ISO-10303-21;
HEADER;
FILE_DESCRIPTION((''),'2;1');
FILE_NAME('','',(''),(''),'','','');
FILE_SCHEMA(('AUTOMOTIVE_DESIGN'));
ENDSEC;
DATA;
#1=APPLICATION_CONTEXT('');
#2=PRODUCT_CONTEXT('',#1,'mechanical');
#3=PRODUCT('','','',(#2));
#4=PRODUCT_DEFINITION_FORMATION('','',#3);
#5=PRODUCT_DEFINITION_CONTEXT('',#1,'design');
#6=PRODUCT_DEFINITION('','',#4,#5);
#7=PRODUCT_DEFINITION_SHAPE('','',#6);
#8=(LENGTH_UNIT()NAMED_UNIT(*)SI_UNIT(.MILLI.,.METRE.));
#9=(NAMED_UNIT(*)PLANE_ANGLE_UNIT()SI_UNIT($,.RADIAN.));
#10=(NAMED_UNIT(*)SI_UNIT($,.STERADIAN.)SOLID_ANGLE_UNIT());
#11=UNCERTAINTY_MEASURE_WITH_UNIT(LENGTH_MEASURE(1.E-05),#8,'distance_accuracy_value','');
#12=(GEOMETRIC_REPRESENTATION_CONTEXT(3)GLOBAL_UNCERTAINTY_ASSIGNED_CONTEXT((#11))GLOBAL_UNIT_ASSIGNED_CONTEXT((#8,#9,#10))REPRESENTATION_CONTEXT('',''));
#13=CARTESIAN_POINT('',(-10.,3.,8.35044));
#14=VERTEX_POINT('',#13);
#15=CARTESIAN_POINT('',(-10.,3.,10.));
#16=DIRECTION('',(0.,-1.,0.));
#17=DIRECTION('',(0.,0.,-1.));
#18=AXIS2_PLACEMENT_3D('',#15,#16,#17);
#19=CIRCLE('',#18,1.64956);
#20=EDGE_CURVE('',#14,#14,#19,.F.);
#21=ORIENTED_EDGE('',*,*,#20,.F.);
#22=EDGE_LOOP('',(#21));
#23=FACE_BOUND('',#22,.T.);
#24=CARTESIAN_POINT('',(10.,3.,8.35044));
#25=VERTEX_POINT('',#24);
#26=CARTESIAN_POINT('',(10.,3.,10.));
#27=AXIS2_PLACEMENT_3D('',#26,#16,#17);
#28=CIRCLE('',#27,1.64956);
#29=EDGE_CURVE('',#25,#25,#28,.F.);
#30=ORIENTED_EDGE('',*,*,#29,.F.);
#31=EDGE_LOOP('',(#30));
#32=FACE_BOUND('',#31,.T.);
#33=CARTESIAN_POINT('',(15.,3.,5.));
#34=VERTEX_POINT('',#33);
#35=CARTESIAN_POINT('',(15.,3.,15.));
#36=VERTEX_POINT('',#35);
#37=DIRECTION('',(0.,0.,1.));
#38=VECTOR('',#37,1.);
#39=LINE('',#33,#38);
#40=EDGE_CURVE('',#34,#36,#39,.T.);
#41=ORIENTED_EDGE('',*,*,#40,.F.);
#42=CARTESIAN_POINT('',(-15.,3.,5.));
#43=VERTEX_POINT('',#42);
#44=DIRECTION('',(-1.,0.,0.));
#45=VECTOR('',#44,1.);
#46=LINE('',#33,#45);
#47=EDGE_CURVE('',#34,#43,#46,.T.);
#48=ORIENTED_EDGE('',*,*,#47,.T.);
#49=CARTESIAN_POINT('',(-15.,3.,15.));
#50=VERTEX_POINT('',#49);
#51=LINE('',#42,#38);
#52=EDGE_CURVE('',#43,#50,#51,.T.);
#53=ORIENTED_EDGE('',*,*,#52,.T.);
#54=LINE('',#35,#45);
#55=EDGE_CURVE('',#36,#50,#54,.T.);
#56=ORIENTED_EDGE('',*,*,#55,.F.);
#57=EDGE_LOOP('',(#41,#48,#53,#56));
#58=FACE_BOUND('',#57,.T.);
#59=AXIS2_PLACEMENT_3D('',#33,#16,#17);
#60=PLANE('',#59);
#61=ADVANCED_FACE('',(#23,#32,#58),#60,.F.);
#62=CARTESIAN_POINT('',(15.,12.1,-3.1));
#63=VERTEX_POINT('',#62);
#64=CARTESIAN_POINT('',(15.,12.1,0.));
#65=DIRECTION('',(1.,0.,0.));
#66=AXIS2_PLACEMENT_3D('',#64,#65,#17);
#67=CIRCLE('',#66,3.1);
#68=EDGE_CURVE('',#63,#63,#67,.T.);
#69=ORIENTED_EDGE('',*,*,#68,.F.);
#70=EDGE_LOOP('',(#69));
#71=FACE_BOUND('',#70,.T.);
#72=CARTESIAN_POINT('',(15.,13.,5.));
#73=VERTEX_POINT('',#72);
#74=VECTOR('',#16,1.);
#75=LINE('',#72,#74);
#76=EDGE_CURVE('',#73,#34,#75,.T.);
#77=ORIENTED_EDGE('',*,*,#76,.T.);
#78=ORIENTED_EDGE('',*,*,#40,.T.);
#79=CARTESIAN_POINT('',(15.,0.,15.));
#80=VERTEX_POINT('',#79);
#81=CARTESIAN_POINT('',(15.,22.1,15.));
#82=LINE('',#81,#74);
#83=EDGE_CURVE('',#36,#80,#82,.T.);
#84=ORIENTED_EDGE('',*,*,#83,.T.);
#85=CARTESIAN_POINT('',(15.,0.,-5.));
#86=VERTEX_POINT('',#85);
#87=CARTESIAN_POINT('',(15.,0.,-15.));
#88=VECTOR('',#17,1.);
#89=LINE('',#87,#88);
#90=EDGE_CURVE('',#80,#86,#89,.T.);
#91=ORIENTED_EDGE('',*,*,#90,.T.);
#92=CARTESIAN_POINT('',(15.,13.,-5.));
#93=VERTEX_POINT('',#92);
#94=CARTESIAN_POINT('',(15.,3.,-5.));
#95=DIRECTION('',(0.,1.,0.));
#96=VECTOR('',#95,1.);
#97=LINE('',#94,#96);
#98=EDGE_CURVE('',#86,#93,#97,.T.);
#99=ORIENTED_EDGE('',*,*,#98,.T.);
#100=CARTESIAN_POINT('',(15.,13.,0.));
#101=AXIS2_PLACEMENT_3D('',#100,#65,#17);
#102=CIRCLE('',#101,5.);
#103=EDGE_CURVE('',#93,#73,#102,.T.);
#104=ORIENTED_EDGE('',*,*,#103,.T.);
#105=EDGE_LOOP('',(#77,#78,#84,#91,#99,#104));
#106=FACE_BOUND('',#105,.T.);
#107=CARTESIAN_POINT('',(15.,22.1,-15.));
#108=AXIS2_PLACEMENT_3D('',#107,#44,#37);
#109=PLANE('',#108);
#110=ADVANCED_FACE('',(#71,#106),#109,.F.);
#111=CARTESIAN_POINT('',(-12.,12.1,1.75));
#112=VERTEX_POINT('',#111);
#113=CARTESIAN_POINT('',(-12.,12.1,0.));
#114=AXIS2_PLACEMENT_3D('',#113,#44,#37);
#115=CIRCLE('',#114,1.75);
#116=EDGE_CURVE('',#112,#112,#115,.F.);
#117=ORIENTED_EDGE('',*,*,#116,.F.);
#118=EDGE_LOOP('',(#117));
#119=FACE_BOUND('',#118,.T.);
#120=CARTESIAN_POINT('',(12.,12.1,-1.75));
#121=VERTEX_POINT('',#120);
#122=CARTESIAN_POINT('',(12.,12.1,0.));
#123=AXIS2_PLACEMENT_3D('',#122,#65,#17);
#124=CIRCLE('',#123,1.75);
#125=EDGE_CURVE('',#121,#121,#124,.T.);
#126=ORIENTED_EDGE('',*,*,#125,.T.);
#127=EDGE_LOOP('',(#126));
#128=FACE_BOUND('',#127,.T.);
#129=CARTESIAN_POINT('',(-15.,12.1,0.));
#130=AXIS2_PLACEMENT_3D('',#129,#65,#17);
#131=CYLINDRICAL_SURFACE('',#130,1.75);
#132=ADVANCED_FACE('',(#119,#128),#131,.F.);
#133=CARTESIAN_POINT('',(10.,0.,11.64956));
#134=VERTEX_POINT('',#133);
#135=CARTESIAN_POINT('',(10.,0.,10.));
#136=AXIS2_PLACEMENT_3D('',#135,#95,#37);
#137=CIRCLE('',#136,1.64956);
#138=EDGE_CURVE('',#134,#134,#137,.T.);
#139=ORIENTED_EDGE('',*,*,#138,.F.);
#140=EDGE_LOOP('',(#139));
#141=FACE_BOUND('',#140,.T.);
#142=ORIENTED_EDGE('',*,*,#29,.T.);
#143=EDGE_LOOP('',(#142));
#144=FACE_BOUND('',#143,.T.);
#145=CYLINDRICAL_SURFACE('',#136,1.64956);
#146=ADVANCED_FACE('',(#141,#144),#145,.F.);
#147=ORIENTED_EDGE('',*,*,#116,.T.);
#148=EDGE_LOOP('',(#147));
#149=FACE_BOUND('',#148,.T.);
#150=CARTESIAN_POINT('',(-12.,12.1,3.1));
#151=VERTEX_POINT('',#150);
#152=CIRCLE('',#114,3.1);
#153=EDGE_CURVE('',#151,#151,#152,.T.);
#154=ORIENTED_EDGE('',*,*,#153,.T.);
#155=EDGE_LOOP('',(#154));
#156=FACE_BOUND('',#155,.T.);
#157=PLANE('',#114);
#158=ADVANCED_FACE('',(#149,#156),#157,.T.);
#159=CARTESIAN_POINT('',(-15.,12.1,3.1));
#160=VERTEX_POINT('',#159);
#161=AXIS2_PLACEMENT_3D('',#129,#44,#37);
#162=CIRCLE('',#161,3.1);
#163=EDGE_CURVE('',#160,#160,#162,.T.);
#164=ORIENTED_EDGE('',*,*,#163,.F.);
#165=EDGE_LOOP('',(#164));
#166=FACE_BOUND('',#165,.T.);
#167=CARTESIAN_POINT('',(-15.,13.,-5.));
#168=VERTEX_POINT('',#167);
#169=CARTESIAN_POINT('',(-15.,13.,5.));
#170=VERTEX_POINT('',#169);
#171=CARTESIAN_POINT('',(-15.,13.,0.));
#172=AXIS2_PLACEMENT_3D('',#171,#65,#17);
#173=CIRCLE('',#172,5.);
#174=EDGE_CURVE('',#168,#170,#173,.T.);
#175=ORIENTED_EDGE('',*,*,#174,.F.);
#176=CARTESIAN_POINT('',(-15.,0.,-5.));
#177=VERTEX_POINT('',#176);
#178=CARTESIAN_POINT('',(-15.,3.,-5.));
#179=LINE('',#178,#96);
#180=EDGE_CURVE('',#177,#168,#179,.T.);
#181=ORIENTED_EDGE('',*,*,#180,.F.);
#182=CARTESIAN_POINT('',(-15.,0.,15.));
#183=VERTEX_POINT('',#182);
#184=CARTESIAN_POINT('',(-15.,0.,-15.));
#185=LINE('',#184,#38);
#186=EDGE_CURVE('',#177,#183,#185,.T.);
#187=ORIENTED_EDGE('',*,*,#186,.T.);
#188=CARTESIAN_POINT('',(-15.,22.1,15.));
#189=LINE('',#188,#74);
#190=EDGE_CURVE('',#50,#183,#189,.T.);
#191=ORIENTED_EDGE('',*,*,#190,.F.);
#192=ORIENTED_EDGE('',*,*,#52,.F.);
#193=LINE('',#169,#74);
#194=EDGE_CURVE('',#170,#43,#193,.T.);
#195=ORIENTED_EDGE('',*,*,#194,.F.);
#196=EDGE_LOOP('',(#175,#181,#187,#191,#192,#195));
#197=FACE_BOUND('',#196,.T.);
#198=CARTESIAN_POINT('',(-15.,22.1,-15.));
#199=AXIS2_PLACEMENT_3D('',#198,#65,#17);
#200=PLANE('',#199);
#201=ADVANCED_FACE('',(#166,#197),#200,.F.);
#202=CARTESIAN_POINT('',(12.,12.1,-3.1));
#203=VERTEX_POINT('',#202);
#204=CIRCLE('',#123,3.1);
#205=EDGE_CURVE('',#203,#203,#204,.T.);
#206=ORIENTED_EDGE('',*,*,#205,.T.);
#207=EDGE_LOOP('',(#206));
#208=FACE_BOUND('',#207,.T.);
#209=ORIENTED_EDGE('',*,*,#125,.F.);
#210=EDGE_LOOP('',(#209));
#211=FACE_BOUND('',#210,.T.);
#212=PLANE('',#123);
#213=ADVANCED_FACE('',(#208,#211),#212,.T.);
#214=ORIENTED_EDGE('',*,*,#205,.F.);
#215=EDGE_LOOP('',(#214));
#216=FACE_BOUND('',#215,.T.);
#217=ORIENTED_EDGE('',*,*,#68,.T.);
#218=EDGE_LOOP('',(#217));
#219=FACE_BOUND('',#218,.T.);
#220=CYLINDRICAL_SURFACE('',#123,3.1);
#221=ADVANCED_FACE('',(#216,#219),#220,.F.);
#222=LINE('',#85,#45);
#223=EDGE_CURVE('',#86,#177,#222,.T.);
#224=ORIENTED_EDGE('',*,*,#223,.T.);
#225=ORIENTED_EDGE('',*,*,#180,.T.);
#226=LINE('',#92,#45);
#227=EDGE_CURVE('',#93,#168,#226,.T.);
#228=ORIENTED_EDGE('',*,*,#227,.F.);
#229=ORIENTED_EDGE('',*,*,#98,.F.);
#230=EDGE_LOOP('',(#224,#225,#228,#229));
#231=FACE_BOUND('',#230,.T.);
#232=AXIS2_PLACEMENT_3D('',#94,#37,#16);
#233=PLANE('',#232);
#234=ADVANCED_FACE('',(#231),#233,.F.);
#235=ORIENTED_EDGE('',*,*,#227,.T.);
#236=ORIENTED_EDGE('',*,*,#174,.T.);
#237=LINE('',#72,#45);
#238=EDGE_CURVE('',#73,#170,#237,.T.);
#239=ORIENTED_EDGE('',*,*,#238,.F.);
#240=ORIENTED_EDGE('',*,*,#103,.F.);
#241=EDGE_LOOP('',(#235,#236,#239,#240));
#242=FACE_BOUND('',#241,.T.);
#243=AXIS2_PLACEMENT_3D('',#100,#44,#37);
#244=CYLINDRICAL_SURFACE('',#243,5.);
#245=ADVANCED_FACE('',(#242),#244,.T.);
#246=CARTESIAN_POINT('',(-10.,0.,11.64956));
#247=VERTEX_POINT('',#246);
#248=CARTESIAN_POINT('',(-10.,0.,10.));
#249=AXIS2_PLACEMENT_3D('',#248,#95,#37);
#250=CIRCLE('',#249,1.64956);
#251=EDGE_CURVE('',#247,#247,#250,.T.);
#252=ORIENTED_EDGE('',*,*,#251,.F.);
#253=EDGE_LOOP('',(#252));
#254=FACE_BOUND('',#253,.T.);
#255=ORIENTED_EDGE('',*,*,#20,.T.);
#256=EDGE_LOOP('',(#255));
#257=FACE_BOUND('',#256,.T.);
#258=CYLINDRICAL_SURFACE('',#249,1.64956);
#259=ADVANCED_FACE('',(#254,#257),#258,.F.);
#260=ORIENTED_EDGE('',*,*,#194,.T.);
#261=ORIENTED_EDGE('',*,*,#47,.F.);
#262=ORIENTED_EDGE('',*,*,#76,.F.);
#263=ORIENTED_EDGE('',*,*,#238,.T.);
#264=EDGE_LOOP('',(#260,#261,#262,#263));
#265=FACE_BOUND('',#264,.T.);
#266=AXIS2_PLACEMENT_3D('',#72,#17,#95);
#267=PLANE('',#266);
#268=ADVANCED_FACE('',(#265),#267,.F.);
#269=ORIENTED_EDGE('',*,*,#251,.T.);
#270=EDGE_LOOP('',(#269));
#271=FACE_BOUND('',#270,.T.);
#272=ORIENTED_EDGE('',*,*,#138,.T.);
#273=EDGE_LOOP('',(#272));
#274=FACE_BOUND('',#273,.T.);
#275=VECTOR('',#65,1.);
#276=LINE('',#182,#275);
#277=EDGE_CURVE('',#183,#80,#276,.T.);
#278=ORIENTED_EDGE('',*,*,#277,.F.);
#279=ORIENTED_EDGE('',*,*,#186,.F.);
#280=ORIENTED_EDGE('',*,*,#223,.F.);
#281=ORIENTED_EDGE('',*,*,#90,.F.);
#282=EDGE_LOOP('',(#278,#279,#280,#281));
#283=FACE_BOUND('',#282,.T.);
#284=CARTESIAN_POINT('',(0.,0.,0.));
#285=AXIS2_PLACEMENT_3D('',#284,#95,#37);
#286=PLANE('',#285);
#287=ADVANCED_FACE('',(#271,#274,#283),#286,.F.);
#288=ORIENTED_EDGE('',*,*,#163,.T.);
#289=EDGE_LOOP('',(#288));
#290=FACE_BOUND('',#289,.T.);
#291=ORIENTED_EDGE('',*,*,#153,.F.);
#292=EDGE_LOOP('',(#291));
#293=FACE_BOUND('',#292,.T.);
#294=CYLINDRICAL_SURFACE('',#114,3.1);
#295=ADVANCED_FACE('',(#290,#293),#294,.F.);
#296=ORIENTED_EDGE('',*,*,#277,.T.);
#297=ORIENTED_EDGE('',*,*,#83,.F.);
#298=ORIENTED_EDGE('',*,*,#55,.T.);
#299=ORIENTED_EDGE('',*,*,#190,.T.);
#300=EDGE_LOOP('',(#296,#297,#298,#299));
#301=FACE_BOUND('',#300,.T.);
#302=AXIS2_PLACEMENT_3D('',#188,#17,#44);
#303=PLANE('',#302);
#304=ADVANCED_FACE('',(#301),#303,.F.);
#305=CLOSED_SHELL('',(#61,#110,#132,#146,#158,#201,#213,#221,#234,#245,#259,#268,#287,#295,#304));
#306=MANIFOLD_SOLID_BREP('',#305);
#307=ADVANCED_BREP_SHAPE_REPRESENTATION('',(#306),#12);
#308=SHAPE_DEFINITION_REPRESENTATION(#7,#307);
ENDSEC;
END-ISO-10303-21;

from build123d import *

# Parameters (mm, degrees)
SKETCH1_W           = 30
SKETCH1_H           = 30
BOSS_EXTRUDE1_DEPTH = 22.1
SKETCH2_R           = 3.1
CUT_EXTRUDE1_DEPTH  = 3
SKETCH3_R           = 1.75
CUT_EXTRUDE2_DEPTH  = 38.979073185
CUT_EXTRUDE3_START  = -3
SKETCH4_R           = 3.1
CUT_EXTRUDE3_DEPTH  = 3
SKETCH5_R           = 1.649559613
CUT_EXTRUDE4_DEPTH  = 31.633478418
CUT_EXTRUDE5_DEPTH  = 41.167275237


with BuildPart() as part:
    # Sketch1 → Boss-Extrude1 (new body)
    with BuildSketch(Plane(origin=(0, 0, 0), x_dir=(1, 0, 0), z_dir=(0, 1, 0))):
        Rectangle(SKETCH1_W, SKETCH1_H)
    extrude(amount=BOSS_EXTRUDE1_DEPTH)

    # Sketch2 → Cut-Extrude1 (cut)
    with BuildSketch(Plane(origin=(15, 0, 0), x_dir=(0, 0, -1), z_dir=(1, 0, 0))):
        with Locations((0, 12.1)):
            Circle(SKETCH2_R)
    extrude(amount=-CUT_EXTRUDE1_DEPTH, mode=Mode.SUBTRACT)

    # Sketch3 → Cut-Extrude2 (cut, through all)
    with BuildSketch(Plane(origin=(12, 0, 0), x_dir=(0, 0, -1), z_dir=(1, 0, 0))):
        with Locations((0, 12.1)):
            Circle(SKETCH3_R)
    extrude(amount=-CUT_EXTRUDE2_DEPTH, mode=Mode.SUBTRACT)

    # Sketch4 → Cut-Extrude3 (cut)
    with BuildSketch(Plane.ZY.offset(15).offset(CUT_EXTRUDE3_START)):
        with Locations(Location((0, 12.1, 0), (0, 0, 180))):
            Circle(SKETCH4_R)
    extrude(amount=CUT_EXTRUDE3_DEPTH, mode=Mode.SUBTRACT)

    # Sketch5 → Cut-Extrude4 (cut, through all)
    with BuildSketch(Plane(origin=(0, 22.1, 0), x_dir=(1, 0, 0), z_dir=(0, 1, 0))):
        with Locations(Location((-10, 10, 0), (0, 0, 270))):
            Circle(SKETCH5_R)
        with Locations(Location((10, 10, 0), (0, 0, 270))):
            Circle(SKETCH5_R)
        with Locations(Location((10, -10, 0), (0, 0, 270))):
            Circle(SKETCH5_R)
        with Locations(Location((-10, -10, 0), (0, 0, 270))):
            Circle(SKETCH5_R)
    extrude(amount=-CUT_EXTRUDE4_DEPTH, mode=Mode.SUBTRACT)

    # Sketch6 → Cut-Extrude5 (cut, through all)
    with BuildSketch(Plane.ZY.offset(15)):
        with BuildLine():
            Line((-5, 3), (-5, 13))
            ThreePointArc((-5, 13), (0, 18), (5, 13))
            Line((5, 13), (5, 3))
            Line((5, 3), (15, 3))
            Line((15, 3), (15, 22.1))
            Line((15, 22.1), (-15, 22.1))
            Line((-15, 22.1), (-15, 3))
            Line((-15, 3), (-15, 0))
            Line((-15, 0), (-5, 0))
            Line((-5, 0), (-5, 3))
        make_face()
    extrude(amount=-CUT_EXTRUDE5_DEPTH, mode=Mode.SUBTRACT)


solid = part.part
